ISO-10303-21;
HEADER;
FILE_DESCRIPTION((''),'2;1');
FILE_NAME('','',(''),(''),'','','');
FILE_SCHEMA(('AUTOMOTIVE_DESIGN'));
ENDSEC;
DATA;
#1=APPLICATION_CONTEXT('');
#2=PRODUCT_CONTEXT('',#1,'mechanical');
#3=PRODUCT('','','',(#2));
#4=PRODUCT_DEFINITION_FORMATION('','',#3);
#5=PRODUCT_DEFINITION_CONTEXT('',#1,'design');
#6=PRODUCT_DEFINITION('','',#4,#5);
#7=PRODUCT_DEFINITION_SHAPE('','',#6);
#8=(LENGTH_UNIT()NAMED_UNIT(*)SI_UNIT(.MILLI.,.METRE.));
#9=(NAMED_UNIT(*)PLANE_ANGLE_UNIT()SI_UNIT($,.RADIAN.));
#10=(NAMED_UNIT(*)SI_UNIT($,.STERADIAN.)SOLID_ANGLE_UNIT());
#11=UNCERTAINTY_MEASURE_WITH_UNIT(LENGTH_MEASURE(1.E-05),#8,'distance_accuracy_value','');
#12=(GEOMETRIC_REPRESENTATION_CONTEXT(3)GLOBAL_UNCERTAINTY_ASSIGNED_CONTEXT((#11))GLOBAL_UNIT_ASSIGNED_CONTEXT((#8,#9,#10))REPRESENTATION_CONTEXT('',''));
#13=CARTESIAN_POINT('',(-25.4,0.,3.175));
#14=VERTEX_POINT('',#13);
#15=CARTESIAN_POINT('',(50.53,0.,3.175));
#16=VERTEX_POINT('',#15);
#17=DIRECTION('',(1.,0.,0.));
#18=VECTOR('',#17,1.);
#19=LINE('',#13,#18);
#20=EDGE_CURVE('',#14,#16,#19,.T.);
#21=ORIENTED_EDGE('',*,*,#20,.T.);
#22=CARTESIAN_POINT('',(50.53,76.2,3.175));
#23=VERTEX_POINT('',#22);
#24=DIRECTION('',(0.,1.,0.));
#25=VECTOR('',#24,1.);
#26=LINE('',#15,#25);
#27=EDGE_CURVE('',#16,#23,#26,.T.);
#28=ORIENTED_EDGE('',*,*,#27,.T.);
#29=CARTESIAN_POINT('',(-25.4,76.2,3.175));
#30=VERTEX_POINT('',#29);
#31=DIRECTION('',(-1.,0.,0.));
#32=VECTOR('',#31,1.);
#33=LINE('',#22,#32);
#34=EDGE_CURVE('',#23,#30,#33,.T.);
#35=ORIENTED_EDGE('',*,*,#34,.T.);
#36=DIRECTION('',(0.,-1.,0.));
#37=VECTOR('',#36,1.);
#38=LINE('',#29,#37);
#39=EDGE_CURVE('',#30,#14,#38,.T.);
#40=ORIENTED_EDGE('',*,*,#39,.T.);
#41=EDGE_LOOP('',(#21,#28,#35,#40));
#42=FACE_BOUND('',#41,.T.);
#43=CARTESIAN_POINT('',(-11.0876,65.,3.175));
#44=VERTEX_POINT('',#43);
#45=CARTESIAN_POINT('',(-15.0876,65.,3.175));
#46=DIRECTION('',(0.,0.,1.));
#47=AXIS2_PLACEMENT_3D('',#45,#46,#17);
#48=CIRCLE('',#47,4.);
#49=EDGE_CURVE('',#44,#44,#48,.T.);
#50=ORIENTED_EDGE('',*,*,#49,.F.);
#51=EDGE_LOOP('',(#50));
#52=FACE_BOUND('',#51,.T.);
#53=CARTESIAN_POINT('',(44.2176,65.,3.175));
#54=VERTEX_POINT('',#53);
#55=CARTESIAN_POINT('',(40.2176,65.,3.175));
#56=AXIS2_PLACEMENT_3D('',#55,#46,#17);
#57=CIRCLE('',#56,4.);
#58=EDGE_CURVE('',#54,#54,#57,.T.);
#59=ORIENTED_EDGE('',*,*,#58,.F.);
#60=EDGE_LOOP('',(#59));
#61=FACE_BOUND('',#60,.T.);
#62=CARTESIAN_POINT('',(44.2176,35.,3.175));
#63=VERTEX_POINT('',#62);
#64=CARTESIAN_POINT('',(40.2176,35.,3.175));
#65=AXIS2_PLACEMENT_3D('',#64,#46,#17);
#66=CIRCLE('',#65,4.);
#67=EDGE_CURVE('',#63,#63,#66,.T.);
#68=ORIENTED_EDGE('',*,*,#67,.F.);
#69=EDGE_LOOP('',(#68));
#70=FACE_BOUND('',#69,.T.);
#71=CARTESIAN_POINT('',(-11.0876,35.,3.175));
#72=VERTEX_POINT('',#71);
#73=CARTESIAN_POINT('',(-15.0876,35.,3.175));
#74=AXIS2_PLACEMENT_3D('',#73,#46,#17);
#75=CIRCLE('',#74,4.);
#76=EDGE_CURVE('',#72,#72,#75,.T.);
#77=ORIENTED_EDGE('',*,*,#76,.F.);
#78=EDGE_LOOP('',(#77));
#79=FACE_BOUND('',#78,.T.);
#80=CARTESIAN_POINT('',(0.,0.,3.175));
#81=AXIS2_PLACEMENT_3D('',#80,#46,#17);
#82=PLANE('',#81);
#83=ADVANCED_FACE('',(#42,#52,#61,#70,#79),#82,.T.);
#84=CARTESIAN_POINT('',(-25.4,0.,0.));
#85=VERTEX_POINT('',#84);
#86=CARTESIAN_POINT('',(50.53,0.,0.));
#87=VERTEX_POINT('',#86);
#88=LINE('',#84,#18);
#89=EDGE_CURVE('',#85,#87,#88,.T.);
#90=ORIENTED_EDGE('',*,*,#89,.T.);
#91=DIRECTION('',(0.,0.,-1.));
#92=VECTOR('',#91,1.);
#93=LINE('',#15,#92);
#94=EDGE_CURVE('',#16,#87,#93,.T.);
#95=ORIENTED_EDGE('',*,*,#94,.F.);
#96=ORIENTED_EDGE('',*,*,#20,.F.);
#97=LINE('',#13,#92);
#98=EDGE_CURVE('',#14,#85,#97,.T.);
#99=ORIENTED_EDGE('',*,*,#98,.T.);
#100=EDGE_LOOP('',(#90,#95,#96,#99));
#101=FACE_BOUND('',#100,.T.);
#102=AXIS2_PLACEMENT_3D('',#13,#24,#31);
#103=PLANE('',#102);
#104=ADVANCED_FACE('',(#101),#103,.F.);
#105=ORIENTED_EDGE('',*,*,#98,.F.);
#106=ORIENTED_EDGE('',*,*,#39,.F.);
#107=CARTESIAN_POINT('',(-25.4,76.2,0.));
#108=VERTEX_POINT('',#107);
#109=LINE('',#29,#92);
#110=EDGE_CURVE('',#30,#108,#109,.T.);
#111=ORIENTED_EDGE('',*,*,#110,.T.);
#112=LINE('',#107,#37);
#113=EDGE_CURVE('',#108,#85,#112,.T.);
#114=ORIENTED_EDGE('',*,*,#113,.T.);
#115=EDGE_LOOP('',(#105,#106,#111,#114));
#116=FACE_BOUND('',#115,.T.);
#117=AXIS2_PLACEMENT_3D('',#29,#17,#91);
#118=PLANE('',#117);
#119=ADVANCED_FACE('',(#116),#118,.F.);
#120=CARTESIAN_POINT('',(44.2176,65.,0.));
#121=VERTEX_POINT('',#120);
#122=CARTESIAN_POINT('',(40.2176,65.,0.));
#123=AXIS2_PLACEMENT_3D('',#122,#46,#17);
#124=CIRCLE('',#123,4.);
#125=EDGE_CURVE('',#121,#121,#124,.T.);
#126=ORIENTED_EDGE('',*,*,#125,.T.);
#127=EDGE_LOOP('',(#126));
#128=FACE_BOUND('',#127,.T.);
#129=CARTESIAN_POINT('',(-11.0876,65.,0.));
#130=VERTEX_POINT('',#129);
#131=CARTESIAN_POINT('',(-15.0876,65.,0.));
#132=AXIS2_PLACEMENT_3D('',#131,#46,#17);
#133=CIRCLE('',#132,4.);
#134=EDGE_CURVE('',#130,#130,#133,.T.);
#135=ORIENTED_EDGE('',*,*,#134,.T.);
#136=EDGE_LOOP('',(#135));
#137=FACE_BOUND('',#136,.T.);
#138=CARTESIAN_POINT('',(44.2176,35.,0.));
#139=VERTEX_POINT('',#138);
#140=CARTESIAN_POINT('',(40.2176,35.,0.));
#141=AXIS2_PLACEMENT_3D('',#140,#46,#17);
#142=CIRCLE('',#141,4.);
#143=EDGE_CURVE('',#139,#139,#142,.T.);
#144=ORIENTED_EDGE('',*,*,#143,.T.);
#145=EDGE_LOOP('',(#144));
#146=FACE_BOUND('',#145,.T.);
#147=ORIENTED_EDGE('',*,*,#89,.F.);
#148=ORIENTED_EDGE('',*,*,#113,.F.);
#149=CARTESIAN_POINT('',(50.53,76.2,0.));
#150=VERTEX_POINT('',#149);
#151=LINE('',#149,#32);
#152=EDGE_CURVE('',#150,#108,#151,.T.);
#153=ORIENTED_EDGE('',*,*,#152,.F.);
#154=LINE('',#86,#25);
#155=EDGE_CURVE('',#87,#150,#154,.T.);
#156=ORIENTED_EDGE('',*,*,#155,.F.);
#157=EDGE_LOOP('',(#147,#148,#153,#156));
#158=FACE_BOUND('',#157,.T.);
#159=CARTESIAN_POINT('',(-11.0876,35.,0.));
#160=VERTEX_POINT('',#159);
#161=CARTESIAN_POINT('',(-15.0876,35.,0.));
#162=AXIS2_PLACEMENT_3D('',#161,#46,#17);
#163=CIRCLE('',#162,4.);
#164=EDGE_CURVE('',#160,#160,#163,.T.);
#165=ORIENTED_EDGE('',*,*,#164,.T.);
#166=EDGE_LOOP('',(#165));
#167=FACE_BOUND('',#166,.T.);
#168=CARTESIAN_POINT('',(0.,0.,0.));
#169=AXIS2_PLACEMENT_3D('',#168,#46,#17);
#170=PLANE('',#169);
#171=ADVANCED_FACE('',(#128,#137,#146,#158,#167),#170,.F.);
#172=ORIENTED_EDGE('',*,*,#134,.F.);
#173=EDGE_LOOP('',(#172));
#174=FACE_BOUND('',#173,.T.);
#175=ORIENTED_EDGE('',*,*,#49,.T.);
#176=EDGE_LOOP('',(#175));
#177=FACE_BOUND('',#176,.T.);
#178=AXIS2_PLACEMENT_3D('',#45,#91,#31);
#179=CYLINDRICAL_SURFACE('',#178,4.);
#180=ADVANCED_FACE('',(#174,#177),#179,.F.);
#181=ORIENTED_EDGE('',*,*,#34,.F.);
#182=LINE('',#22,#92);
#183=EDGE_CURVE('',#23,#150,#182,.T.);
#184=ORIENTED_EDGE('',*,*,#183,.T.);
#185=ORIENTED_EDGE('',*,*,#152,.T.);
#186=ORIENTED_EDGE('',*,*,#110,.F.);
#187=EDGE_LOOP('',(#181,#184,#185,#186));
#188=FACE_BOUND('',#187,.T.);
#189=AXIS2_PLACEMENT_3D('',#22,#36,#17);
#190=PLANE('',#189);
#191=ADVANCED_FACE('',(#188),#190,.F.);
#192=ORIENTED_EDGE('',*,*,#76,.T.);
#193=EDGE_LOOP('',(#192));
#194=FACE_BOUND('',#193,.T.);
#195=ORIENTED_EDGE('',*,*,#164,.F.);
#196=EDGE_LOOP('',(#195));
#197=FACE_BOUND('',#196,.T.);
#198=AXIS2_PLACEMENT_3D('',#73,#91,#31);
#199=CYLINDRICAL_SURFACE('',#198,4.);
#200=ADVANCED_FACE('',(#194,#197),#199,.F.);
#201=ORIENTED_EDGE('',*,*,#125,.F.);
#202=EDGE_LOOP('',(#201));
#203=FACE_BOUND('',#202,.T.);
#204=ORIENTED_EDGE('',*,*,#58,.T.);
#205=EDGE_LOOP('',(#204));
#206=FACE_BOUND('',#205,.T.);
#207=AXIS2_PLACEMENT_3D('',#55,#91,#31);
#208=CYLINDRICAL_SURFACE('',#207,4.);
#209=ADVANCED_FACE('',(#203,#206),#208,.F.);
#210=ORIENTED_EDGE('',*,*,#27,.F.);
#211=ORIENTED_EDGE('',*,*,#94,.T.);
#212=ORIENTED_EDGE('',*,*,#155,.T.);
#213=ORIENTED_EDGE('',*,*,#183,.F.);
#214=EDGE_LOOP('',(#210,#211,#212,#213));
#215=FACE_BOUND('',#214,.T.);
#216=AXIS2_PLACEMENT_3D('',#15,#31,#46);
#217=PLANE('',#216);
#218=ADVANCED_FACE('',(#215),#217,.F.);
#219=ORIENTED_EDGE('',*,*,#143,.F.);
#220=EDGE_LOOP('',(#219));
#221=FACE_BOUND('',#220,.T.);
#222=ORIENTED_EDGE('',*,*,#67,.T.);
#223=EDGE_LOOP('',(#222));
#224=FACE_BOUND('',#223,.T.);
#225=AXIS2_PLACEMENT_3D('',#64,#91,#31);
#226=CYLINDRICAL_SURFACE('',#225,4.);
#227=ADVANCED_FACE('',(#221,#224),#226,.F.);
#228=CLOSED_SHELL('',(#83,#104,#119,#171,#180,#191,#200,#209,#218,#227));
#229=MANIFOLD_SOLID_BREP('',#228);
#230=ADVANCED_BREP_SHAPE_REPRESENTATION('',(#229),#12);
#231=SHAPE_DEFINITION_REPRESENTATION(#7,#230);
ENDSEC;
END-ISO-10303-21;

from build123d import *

# Parameters (mm, degrees)
SKETCH1_W           = 75.93
SKETCH1_H           = 76.2
SKETCH1_R           = 4
BOSS_EXTRUDE1_DEPTH = 3.175


with BuildPart() as part:
    # Sketch1 → Boss-Extrude1 (new body)
    with BuildSketch(Plane.XY):
        with Locations((12.565, 38.1)):
            Rectangle(SKETCH1_W, SKETCH1_H)
        with Locations((-15.0876, 65)):
            Circle(SKETCH1_R, mode=Mode.SUBTRACT)
        with Locations((-15.0876, 35)):
            Circle(SKETCH1_R, mode=Mode.SUBTRACT)
        with Locations((40.2176, 65)):
            Circle(SKETCH1_R, mode=Mode.SUBTRACT)
        with Locations((40.2176, 35)):
            Circle(SKETCH1_R, mode=Mode.SUBTRACT)
    extrude(amount=BOSS_EXTRUDE1_DEPTH)


solid = part.part
